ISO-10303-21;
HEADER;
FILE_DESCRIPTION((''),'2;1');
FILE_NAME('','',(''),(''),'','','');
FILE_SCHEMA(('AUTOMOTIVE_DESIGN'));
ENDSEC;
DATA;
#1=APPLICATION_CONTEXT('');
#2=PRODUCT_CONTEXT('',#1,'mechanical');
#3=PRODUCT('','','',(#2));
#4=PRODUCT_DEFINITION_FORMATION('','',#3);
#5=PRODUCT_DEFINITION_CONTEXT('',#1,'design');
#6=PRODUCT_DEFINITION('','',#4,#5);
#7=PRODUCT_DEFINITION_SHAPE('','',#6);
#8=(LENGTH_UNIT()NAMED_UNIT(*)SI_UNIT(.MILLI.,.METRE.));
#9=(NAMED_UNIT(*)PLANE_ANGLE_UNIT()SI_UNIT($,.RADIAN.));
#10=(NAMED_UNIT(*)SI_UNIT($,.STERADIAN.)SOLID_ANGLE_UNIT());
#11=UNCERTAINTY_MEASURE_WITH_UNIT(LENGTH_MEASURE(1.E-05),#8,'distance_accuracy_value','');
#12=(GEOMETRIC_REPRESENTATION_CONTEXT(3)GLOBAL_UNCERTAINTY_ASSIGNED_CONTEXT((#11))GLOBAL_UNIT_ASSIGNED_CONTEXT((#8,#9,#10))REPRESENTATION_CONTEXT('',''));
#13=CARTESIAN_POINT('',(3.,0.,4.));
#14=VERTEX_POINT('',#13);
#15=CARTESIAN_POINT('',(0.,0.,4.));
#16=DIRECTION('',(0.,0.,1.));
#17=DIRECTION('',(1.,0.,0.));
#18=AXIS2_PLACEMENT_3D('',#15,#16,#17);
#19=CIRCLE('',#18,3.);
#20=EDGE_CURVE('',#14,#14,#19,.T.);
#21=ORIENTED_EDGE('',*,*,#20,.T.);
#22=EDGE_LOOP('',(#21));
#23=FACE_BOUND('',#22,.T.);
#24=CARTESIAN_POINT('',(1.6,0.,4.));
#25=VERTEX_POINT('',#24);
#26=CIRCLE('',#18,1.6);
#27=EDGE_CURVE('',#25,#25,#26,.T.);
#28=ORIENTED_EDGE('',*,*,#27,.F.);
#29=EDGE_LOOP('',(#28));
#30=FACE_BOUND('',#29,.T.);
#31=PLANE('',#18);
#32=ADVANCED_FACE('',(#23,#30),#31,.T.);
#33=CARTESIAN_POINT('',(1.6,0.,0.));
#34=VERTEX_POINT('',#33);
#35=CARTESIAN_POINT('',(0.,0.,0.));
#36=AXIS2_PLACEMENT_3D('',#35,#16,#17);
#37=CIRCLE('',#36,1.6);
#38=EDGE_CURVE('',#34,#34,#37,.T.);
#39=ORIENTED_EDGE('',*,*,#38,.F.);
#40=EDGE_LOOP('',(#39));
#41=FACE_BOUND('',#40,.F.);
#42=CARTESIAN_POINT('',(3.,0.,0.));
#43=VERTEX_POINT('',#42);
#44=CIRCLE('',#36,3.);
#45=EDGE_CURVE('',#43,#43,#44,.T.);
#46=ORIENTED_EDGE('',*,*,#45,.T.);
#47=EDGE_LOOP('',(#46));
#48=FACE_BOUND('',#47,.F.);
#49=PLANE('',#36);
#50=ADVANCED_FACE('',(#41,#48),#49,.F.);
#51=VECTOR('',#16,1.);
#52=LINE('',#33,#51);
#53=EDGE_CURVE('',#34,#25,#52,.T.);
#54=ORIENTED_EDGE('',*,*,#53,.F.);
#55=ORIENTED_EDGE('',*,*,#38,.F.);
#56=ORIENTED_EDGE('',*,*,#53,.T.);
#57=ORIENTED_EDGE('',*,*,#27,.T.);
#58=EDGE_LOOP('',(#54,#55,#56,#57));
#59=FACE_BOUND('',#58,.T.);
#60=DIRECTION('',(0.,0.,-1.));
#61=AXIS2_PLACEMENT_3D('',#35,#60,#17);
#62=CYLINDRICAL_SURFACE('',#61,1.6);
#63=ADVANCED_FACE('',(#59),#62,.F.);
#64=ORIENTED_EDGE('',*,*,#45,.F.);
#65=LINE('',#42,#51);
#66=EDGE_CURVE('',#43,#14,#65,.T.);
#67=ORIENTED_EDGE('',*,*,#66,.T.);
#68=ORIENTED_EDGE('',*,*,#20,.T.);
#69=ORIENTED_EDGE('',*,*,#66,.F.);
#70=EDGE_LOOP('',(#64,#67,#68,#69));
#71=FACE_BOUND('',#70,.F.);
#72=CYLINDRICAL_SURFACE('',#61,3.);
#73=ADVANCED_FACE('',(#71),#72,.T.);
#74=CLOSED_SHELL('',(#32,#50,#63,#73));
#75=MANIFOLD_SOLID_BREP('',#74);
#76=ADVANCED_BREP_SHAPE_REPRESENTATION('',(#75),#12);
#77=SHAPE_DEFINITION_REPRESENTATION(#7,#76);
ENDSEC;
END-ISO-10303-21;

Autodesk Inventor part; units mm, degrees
ref_plane "YZ Plane" through (0, 0, 0) normal (1, 0, 0) x (0, 1, 0)
ref_plane "XZ Plane" through (0, 0, 0) normal (0, 1, 0) x (-1, 0, 0)
ref_plane "XY Plane" through (0, 0, 0) normal (0, 0, 1) x (1, 0, 0)
sketch "Sketch1" plane through (0, 0, 0) normal (0, 0, 1) x (1, 0, 0)
  circle A0 centre (0, 0) radius 1.6
  circle A1 centre (0, 0) radius 3
  dimension "d0" = 3.2
  dimension "d1" = 6
extrude "Extrusion1" add sketch "Sketch1" along normal blind 4
properties part number "Wurth 963040042"
